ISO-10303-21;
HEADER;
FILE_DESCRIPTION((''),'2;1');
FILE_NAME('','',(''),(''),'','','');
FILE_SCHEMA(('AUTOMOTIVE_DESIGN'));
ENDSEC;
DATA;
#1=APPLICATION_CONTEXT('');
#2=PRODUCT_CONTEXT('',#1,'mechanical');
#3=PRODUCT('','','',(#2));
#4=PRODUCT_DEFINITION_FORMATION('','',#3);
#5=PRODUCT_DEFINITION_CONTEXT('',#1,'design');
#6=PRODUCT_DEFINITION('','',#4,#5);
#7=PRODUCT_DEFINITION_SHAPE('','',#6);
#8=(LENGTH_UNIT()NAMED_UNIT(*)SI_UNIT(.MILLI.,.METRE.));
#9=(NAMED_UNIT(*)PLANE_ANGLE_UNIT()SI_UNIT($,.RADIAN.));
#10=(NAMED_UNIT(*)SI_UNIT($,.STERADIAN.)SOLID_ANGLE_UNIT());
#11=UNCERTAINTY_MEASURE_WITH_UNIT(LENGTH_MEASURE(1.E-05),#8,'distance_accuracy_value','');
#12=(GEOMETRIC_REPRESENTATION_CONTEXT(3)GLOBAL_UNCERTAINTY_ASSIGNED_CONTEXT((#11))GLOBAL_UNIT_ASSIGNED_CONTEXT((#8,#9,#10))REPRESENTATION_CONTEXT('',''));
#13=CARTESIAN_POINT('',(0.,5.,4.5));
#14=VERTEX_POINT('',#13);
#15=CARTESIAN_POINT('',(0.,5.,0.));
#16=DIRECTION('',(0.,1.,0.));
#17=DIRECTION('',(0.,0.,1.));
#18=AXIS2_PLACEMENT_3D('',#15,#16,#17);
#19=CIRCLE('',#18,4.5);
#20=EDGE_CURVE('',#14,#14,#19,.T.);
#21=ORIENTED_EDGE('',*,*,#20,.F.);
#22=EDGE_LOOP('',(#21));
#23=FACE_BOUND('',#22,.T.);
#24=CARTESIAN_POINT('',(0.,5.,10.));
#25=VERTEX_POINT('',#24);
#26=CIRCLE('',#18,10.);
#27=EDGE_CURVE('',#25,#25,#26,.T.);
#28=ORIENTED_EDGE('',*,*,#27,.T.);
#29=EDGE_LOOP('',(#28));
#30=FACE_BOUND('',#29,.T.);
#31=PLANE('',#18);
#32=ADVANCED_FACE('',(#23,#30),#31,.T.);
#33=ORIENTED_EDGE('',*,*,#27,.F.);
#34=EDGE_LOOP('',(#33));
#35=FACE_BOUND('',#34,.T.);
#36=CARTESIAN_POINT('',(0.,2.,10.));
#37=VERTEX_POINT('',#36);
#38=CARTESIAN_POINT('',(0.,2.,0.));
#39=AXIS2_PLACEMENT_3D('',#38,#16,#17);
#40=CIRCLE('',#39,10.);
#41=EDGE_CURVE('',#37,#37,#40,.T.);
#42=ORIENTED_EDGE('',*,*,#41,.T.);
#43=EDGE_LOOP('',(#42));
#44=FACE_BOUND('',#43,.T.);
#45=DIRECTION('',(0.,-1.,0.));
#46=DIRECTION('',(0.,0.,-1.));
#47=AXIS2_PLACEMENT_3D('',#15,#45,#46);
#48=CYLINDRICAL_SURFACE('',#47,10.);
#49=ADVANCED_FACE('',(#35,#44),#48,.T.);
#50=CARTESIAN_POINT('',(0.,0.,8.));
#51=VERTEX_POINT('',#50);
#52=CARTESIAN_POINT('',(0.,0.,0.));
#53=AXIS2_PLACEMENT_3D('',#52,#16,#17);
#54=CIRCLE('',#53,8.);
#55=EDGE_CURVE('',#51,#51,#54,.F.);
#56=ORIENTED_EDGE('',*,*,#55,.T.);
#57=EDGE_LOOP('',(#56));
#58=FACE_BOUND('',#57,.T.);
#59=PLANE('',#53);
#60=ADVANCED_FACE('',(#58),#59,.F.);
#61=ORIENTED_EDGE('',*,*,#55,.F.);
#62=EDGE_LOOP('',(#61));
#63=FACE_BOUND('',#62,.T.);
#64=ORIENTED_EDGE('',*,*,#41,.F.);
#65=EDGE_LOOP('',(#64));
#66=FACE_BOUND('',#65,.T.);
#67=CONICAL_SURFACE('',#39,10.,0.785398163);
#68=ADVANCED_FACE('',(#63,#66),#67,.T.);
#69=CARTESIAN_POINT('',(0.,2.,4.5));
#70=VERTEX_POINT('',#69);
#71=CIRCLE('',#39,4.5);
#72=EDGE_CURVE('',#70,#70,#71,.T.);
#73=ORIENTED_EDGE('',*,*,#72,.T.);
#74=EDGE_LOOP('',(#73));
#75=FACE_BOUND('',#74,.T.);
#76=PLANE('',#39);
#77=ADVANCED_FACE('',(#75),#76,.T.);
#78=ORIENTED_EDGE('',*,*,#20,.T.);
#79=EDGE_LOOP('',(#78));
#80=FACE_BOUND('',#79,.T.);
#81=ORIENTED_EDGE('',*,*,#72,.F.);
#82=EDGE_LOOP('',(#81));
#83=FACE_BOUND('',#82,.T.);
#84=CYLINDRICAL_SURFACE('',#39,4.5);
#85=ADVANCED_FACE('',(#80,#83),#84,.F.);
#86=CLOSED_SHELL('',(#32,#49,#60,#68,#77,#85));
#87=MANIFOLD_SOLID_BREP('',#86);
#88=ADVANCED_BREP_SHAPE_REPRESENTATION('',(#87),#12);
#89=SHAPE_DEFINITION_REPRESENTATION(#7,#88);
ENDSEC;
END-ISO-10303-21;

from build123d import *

# Parameters (mm, degrees)
SKETCH_1_R          = 10
EXTRUDE_1_DEPTH     = 5
SKETCH_2_R          = 4.5
CUT_EXTRUDE_1_DEPTH = 3
CHAMFER_1_SIZE      = 2


with BuildPart() as part:
    # 草圖1 → 填料-伸長1 (new body)
    with BuildSketch(Plane(origin=(0, 0, 0), x_dir=(1, 0, 0), z_dir=(0, 1, 0))):
        with Locations(Location((0, 0, 0), (0, 0, 270))):
            Circle(SKETCH_1_R)
    extrude(amount=EXTRUDE_1_DEPTH)

    # 草圖2 → 除料-伸長1 (cut)
    with BuildSketch(Plane(origin=(0, 5, 0), x_dir=(1, 0, 0), z_dir=(0, 1, 0))):
        with Locations(Location((0, 0, 0), (0, 0, 270))):
            Circle(SKETCH_2_R)
    extrude(amount=-CUT_EXTRUDE_1_DEPTH, mode=Mode.SUBTRACT)

    # 導角1
    chamfer_1_edges = [part.edges().sort_by_distance(p)[0] for p in [
        (0, 0, -10),
    ]]
    chamfer(chamfer_1_edges, length=CHAMFER_1_SIZE)


solid = part.part
